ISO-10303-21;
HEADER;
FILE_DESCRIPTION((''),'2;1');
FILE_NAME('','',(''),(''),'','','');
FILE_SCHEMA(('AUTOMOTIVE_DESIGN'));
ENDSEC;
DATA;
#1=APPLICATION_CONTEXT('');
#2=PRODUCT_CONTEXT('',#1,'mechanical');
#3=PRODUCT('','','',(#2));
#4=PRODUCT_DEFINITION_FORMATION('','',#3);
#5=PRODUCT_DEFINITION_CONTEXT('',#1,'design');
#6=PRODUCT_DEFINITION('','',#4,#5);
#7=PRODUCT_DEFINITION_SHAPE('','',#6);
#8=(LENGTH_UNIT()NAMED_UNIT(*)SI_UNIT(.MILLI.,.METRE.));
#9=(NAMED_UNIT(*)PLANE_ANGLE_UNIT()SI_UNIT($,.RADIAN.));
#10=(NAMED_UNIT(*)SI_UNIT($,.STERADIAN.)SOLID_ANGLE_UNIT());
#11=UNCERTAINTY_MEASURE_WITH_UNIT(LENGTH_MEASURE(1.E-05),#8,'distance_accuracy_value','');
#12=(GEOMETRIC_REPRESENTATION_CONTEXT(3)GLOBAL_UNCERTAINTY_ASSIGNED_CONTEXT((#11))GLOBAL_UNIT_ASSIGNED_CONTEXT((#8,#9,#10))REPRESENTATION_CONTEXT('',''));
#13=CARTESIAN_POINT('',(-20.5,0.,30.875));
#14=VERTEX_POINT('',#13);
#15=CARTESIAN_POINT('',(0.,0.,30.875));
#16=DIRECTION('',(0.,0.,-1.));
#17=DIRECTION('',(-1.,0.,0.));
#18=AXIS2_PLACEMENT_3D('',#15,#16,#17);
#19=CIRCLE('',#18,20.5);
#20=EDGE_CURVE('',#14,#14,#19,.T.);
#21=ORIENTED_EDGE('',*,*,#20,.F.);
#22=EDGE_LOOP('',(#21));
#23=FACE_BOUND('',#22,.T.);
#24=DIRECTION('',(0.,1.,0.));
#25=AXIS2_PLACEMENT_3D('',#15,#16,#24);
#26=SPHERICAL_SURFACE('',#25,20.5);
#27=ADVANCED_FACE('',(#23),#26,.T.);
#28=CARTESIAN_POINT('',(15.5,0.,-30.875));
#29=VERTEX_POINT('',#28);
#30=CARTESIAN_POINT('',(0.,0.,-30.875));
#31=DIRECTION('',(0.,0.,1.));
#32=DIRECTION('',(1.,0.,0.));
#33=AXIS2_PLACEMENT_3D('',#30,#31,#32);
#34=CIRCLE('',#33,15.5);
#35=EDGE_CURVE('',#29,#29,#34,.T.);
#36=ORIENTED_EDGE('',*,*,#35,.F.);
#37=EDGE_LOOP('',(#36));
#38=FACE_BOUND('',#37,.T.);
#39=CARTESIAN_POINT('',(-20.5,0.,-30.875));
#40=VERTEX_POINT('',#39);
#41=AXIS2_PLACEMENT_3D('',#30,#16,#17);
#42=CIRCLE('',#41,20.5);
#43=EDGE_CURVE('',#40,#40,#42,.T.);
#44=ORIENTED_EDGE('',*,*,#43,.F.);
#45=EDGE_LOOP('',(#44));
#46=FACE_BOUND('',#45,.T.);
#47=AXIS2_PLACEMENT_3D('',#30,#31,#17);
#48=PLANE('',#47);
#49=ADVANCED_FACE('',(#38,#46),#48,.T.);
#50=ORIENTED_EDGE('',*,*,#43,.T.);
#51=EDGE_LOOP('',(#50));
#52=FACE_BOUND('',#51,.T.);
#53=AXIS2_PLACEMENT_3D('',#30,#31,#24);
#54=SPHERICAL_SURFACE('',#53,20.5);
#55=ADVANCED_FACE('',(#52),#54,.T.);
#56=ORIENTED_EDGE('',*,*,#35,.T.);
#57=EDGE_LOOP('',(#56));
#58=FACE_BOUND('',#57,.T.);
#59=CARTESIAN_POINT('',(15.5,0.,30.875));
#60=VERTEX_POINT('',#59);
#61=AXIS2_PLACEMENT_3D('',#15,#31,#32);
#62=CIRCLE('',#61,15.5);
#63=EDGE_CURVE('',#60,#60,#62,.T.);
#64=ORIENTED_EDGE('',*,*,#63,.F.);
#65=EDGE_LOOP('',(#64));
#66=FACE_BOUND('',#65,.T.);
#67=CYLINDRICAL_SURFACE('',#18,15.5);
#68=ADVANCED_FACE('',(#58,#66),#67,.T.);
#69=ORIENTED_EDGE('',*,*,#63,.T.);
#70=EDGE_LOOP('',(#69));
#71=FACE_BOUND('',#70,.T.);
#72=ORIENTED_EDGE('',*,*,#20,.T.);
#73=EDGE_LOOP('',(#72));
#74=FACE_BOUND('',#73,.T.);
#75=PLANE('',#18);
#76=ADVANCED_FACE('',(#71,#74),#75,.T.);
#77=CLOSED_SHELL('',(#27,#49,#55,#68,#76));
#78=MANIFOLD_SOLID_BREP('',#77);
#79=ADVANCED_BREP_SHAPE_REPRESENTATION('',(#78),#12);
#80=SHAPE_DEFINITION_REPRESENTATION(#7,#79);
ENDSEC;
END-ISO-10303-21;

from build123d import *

# Parameters (mm, degrees)
SKETCH1_R           = 15.5
BOSS_EXTRUDE1_DEPTH = 30.875


with BuildPart() as part:
    # Sketch1 → Boss-Extrude1 (new, symmetric)
    with BuildSketch(Plane.XY):
        Circle(SKETCH1_R)
    extrude(amount=BOSS_EXTRUDE1_DEPTH, both=True)

    # Sketch2 → Revolve1 (revolve)
    with BuildSketch(Plane(origin=(0, 0, 0), x_dir=(0, 0, -1), z_dir=(1, 0, 0))):
        with BuildLine():
            Line((-51.375, 0), (-30.875, 0))
            Line((-30.875, 0), (-30.875, 20.5))
            ThreePointArc((-30.875, 20.5), (-45.370689014, 14.495689014), (-51.375, 0))
        make_face()
    revolve(axis=Axis((0, 0, 0), (0, 0, 1)))

    # Mirror1: part across plane


with BuildPart() as part_1:
    add(part.part)
    add(part.part.mirror(Plane.XY))


solid = part_1.part
